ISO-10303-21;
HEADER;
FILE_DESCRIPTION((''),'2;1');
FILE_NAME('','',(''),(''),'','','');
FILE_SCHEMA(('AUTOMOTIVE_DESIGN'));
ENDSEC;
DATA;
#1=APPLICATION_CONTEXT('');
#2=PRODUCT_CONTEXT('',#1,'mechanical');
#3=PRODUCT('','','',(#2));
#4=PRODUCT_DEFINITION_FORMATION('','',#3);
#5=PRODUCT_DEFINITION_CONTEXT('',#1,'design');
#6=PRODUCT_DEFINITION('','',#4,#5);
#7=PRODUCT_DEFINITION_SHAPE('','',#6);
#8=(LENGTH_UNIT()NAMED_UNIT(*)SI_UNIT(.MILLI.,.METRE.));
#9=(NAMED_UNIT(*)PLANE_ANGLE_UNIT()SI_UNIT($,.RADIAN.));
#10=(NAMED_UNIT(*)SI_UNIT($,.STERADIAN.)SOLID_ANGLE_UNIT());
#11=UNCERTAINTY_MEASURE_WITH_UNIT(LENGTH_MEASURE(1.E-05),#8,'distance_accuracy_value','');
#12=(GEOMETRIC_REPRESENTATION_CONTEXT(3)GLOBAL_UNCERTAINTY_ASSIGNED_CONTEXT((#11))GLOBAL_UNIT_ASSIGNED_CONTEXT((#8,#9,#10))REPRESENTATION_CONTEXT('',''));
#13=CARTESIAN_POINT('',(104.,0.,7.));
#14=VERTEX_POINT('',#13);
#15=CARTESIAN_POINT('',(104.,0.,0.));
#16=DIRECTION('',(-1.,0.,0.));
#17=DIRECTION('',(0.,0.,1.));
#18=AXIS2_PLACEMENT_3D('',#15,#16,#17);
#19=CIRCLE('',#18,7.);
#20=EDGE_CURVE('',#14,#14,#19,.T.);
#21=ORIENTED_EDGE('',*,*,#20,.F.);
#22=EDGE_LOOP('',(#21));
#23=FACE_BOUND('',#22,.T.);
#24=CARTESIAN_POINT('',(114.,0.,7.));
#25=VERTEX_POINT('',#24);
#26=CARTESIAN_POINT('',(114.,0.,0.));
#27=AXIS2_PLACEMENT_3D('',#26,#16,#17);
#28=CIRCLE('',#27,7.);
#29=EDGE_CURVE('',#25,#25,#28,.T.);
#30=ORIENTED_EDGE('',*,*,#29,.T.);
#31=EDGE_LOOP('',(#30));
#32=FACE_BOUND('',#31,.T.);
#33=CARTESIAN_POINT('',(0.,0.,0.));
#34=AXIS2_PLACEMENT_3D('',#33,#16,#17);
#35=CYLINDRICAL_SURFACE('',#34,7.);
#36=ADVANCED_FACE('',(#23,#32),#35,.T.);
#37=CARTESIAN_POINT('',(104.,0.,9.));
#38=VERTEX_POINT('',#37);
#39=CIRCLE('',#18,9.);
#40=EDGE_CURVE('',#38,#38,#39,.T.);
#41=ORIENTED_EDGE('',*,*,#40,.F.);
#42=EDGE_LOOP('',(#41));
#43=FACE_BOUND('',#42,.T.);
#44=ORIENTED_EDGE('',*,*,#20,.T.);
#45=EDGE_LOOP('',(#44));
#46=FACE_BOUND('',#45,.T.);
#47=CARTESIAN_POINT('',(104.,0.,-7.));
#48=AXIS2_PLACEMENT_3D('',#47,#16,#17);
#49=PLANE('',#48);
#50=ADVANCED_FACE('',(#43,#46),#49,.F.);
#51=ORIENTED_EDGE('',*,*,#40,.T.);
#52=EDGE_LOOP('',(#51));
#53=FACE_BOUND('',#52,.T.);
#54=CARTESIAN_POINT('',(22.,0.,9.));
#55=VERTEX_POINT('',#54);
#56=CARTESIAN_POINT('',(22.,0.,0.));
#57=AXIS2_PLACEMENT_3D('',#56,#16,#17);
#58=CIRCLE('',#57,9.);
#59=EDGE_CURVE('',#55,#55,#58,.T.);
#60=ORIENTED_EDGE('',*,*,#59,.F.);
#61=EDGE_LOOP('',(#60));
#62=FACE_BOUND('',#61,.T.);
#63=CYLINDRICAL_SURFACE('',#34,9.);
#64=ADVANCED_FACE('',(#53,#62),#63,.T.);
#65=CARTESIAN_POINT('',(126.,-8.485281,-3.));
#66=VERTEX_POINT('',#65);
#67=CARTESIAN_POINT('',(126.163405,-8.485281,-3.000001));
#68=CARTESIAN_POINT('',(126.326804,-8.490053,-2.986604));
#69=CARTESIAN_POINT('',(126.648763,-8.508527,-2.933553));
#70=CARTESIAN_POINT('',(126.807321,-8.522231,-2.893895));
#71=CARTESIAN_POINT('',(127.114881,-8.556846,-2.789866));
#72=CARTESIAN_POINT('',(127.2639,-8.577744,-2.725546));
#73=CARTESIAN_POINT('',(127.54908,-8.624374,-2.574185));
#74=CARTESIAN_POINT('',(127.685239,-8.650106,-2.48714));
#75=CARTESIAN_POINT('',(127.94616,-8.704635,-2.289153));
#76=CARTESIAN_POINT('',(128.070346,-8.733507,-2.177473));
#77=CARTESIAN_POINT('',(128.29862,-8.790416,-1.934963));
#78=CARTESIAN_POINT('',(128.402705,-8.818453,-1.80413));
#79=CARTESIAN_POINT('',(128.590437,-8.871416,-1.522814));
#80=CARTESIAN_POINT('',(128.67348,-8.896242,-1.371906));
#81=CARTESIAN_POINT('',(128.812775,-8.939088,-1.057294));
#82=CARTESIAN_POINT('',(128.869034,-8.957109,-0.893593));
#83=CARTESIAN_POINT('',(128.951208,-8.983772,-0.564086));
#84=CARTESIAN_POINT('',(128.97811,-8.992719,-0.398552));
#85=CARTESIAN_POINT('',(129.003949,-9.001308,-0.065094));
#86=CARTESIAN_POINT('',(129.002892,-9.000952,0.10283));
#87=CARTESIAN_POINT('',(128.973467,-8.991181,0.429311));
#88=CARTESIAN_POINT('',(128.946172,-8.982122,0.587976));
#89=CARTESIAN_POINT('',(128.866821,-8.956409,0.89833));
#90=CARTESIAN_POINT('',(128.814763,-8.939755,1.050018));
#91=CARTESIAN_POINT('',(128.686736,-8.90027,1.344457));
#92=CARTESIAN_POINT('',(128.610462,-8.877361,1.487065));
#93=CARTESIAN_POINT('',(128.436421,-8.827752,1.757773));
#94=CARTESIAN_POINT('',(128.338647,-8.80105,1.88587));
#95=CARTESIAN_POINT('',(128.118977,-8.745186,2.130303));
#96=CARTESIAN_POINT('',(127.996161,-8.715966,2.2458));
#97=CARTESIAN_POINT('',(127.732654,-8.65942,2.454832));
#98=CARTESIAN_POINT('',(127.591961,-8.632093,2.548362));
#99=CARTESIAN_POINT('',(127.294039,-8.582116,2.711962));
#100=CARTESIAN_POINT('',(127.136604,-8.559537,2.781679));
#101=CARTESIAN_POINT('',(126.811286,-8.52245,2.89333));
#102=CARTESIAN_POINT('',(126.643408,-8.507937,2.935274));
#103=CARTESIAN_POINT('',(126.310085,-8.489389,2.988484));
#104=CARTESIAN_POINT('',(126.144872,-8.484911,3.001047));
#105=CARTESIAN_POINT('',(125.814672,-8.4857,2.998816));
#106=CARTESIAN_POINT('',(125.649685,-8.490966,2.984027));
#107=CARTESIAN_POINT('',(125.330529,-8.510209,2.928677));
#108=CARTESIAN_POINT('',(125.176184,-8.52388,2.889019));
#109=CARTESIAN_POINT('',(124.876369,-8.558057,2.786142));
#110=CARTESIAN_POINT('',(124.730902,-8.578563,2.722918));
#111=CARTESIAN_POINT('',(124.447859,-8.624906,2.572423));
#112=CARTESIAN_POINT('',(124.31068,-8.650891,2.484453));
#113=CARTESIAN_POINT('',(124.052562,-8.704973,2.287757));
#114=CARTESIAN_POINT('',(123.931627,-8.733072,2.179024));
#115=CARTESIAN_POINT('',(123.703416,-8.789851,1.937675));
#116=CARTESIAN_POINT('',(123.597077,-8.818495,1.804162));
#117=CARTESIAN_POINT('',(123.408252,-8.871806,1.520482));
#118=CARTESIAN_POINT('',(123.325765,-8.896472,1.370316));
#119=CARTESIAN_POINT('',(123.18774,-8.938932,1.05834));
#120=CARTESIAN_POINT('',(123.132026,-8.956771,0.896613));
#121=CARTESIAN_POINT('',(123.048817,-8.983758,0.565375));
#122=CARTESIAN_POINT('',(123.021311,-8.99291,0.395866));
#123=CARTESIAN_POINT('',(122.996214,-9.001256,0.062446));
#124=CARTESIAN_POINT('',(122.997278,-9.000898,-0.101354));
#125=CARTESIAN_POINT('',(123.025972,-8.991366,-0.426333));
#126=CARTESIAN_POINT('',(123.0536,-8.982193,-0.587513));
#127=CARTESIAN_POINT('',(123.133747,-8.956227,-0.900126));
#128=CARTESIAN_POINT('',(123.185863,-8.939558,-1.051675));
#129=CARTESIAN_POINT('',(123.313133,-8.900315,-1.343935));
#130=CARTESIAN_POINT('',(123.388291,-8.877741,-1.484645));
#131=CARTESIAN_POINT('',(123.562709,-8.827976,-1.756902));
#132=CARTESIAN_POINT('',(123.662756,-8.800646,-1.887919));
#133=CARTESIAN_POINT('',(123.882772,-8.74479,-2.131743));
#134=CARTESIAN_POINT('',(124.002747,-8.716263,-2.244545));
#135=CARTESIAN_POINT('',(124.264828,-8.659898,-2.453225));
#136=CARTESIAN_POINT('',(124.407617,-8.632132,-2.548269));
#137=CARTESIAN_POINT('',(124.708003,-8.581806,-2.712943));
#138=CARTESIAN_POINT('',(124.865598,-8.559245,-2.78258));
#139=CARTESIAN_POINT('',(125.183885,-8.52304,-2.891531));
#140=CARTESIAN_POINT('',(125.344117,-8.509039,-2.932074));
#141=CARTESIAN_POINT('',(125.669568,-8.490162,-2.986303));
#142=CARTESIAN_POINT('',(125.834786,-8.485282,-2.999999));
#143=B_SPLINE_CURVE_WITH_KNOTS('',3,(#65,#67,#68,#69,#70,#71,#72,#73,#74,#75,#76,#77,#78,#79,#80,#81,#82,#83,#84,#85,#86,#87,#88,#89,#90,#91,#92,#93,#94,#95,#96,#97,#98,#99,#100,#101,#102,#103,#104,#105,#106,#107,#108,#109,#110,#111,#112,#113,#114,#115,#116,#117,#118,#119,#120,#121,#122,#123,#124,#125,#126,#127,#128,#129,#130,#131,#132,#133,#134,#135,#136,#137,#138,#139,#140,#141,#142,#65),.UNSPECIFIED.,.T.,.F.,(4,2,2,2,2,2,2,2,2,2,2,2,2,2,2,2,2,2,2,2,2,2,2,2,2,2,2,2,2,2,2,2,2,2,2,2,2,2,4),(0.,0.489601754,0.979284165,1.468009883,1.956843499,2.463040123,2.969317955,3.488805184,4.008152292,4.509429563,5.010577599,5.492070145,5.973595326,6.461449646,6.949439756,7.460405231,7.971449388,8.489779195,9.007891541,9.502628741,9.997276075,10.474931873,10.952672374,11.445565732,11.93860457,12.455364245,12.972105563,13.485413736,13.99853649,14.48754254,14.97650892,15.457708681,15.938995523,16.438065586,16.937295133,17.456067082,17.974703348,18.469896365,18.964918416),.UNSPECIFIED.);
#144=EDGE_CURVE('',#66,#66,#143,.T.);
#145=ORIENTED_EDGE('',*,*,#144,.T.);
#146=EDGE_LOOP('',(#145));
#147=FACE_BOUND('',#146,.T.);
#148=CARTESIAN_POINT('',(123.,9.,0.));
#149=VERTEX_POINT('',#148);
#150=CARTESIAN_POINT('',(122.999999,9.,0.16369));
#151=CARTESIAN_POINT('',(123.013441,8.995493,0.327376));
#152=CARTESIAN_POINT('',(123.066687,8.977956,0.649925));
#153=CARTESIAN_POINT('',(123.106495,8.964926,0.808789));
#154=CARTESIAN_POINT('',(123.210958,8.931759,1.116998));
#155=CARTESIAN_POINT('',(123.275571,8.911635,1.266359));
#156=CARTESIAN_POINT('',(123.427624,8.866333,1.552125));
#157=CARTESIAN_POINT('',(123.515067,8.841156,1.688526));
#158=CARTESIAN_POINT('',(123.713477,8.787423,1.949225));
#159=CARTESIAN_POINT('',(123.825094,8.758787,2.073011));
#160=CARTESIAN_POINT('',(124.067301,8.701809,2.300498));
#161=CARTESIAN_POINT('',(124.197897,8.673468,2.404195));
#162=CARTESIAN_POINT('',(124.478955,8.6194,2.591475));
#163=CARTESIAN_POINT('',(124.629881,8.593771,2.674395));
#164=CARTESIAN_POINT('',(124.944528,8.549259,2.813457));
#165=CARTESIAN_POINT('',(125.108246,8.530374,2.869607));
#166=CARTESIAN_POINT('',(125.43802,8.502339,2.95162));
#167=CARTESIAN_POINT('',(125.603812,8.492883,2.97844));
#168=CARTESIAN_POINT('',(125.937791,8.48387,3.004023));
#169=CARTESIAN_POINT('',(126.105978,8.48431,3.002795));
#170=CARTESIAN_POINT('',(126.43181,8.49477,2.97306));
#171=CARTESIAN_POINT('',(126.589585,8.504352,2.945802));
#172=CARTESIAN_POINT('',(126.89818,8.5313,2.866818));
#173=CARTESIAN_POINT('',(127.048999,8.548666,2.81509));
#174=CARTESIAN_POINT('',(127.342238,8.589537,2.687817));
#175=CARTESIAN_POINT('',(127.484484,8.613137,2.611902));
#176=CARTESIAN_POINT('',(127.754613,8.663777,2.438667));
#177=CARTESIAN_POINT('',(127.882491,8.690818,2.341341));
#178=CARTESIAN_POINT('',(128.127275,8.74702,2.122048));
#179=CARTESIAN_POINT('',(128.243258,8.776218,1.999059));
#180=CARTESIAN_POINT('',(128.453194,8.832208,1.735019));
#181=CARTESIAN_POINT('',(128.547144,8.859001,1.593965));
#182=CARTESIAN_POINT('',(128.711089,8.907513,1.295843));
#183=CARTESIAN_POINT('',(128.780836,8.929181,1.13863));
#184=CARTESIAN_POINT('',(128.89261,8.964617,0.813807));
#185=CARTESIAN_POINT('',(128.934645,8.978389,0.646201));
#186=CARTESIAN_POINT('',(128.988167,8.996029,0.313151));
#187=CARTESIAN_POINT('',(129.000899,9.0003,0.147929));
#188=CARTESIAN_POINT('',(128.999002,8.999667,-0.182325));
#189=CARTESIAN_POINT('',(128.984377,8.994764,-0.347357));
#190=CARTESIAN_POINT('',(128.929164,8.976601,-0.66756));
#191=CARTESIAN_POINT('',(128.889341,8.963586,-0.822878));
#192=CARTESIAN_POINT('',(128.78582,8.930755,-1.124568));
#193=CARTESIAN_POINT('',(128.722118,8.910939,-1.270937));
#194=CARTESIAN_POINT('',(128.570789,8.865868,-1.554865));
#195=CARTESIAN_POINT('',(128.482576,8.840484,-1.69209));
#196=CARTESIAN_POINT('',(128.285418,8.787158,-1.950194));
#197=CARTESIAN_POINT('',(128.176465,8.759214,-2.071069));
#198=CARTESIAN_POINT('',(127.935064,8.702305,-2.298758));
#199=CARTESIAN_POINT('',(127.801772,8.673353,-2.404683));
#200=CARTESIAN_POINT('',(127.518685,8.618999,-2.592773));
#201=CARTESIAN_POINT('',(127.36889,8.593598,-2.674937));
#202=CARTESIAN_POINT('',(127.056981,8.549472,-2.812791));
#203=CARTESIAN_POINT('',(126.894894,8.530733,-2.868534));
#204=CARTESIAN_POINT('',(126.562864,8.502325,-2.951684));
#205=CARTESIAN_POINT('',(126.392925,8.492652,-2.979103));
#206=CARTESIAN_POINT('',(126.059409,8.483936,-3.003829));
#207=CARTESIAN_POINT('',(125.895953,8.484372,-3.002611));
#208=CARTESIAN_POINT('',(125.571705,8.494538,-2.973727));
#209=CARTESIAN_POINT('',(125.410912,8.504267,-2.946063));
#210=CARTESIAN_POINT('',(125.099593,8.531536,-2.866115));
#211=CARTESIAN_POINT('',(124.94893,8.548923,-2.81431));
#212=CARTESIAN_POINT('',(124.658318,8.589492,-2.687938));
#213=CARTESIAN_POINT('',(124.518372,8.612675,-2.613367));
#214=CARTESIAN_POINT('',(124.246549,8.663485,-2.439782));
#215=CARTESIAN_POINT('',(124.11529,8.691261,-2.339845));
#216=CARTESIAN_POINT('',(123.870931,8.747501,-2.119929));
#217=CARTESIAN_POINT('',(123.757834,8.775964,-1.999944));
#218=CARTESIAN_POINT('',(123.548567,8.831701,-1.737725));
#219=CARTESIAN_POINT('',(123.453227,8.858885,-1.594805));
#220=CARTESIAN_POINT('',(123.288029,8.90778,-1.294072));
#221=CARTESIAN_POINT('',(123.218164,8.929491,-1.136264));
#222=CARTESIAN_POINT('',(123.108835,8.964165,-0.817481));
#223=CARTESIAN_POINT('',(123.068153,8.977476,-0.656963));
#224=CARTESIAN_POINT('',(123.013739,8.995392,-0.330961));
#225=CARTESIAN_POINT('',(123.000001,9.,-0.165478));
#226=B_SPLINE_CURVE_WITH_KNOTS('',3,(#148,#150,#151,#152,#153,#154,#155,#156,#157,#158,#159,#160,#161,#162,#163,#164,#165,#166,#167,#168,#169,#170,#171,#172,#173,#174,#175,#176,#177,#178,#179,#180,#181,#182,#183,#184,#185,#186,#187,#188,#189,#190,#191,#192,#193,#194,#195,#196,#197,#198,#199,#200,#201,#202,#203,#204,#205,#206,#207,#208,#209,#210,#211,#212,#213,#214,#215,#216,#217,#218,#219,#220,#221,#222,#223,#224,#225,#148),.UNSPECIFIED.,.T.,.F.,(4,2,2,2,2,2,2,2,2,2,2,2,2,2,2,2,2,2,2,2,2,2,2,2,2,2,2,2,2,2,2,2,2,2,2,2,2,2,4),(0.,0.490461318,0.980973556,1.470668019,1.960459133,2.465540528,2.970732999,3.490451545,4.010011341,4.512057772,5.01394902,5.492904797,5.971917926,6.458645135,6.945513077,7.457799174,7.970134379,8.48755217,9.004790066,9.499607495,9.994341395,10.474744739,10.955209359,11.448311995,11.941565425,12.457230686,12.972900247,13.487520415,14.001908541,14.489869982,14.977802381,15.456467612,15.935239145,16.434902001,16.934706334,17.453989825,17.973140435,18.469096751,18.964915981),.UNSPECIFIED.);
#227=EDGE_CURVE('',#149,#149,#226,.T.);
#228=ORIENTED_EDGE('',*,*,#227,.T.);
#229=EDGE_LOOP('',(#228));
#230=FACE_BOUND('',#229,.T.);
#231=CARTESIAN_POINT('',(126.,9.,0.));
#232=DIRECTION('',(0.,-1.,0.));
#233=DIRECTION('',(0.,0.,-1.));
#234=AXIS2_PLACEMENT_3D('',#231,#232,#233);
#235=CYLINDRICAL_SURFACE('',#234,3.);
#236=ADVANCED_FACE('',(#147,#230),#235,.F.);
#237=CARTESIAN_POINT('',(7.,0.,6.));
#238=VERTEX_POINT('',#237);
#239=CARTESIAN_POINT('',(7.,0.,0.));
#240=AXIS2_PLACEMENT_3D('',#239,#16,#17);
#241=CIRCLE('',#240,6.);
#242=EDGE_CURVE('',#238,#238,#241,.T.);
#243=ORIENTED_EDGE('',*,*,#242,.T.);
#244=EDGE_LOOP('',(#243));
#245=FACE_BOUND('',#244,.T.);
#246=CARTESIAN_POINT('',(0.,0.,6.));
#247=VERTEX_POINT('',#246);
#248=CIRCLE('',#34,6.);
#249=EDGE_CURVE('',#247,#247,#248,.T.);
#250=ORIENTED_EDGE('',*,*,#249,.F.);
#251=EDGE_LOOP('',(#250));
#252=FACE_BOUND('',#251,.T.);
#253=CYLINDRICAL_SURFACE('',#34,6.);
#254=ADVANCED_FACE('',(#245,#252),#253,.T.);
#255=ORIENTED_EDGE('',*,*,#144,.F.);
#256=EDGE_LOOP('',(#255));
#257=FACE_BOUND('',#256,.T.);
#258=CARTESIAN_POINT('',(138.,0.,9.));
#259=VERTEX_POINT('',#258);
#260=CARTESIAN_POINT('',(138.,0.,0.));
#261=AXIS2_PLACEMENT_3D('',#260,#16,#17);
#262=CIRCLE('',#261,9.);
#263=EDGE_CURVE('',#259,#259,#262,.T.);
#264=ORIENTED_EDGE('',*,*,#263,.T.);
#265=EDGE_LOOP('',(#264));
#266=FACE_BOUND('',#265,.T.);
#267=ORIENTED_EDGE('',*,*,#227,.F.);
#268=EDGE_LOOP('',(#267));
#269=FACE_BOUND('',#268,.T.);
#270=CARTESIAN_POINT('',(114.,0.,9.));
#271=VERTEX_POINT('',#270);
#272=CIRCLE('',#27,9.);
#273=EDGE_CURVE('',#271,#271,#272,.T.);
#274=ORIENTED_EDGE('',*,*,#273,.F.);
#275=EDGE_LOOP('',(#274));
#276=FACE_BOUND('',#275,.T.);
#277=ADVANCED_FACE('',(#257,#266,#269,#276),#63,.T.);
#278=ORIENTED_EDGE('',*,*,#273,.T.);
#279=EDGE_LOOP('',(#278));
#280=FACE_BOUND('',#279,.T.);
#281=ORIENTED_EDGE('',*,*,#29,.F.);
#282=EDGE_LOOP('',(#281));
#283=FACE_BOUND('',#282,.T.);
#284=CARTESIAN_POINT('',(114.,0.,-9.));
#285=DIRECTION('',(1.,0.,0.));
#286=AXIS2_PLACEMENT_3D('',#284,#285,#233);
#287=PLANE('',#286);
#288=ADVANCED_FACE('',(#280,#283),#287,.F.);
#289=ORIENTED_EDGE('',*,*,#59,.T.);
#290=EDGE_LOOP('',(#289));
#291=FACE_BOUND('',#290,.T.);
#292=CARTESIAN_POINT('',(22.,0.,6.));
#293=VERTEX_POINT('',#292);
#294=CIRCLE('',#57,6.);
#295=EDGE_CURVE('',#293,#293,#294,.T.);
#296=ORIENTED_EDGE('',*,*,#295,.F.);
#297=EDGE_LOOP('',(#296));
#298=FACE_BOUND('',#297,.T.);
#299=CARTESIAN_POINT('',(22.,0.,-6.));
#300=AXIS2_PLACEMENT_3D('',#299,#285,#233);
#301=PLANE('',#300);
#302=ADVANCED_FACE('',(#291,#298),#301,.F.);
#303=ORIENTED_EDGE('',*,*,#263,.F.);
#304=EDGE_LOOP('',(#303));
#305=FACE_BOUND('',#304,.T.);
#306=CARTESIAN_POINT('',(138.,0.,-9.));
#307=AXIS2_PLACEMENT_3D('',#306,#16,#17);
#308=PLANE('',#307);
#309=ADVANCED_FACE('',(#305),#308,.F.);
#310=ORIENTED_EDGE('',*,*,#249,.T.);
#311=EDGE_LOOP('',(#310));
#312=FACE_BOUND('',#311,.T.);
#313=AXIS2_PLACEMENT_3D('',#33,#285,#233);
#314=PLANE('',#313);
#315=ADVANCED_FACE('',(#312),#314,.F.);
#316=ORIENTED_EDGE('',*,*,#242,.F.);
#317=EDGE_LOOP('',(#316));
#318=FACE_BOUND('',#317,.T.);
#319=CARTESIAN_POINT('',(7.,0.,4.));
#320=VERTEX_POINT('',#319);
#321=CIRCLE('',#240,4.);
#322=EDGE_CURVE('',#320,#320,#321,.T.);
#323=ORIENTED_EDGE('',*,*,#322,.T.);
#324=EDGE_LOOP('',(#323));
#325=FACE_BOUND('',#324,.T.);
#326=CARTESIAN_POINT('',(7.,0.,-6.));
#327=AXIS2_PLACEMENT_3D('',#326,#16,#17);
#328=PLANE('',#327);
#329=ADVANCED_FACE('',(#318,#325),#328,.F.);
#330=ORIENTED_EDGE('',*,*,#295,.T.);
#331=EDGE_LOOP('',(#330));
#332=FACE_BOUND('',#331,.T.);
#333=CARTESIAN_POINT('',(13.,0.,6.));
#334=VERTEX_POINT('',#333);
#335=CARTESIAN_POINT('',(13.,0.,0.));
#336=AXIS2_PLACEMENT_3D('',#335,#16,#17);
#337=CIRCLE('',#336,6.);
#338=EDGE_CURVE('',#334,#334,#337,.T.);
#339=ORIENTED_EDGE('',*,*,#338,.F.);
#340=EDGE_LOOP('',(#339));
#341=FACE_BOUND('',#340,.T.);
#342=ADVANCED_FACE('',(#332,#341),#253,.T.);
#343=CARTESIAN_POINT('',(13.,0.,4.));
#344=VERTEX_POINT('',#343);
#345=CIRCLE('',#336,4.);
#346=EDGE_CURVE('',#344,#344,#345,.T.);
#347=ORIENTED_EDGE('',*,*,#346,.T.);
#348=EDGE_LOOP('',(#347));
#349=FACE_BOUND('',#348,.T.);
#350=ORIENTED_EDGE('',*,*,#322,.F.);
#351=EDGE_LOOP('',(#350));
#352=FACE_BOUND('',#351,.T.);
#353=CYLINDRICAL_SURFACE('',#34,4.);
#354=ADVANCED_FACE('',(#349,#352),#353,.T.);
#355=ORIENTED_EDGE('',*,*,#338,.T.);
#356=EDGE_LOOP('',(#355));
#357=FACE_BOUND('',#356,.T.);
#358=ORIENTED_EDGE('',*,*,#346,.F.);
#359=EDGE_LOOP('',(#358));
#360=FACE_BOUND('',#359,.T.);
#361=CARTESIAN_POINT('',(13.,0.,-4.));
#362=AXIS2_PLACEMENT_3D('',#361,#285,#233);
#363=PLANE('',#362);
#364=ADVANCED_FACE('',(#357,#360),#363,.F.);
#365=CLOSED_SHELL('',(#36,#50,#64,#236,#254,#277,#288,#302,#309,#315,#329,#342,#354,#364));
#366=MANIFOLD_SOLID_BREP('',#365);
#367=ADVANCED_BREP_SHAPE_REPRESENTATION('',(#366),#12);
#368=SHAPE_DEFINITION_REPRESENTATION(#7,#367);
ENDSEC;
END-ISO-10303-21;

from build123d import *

# Parameters (mm, degrees)
CUT_EXTRUDE3_DEPTH      = 139.585713549
CUT_EXTRUDE3_DEPTH_BACK = 139.585713549
SKETCH3_R               = 3


with BuildPart() as part:
    # Sketch1 → Revolve1 (revolve)
    with BuildSketch(Plane(origin=(0, 0, 0), x_dir=(1, 0, 0), z_dir=(0, 1, 0)), mode=Mode.PRIVATE) as revolve1_sk:
        Polygon((0, 0), (0, 6), (7, 6), (7, 4), (13, 4), (13, 6), (22, 6), (22, 9), (104, 9), (104, 7), (114, 7), (114, 9), (138, 9), (138, 0), align=None)
    revolve(revolve1_sk.sketch.rotate(Axis((0, 0, 0), (1, 0, 0)), 180), axis=Axis((0, 0, 0), (1, 0, 0)))

    # Sketch3 → Cut-Extrude3 (cut, two sides: drawn at the far end of the back side and taken through both)
    with BuildSketch(Plane(origin=(0, 0, 0), x_dir=(1, 0, 0), z_dir=(0, 1, 0)).offset(-CUT_EXTRUDE3_DEPTH_BACK)):
        with Locations(Location((126, 0, 0), (0, 0, 90))):
            Circle(SKETCH3_R)
    extrude(amount=CUT_EXTRUDE3_DEPTH + CUT_EXTRUDE3_DEPTH_BACK, mode=Mode.SUBTRACT)


solid = part.part
